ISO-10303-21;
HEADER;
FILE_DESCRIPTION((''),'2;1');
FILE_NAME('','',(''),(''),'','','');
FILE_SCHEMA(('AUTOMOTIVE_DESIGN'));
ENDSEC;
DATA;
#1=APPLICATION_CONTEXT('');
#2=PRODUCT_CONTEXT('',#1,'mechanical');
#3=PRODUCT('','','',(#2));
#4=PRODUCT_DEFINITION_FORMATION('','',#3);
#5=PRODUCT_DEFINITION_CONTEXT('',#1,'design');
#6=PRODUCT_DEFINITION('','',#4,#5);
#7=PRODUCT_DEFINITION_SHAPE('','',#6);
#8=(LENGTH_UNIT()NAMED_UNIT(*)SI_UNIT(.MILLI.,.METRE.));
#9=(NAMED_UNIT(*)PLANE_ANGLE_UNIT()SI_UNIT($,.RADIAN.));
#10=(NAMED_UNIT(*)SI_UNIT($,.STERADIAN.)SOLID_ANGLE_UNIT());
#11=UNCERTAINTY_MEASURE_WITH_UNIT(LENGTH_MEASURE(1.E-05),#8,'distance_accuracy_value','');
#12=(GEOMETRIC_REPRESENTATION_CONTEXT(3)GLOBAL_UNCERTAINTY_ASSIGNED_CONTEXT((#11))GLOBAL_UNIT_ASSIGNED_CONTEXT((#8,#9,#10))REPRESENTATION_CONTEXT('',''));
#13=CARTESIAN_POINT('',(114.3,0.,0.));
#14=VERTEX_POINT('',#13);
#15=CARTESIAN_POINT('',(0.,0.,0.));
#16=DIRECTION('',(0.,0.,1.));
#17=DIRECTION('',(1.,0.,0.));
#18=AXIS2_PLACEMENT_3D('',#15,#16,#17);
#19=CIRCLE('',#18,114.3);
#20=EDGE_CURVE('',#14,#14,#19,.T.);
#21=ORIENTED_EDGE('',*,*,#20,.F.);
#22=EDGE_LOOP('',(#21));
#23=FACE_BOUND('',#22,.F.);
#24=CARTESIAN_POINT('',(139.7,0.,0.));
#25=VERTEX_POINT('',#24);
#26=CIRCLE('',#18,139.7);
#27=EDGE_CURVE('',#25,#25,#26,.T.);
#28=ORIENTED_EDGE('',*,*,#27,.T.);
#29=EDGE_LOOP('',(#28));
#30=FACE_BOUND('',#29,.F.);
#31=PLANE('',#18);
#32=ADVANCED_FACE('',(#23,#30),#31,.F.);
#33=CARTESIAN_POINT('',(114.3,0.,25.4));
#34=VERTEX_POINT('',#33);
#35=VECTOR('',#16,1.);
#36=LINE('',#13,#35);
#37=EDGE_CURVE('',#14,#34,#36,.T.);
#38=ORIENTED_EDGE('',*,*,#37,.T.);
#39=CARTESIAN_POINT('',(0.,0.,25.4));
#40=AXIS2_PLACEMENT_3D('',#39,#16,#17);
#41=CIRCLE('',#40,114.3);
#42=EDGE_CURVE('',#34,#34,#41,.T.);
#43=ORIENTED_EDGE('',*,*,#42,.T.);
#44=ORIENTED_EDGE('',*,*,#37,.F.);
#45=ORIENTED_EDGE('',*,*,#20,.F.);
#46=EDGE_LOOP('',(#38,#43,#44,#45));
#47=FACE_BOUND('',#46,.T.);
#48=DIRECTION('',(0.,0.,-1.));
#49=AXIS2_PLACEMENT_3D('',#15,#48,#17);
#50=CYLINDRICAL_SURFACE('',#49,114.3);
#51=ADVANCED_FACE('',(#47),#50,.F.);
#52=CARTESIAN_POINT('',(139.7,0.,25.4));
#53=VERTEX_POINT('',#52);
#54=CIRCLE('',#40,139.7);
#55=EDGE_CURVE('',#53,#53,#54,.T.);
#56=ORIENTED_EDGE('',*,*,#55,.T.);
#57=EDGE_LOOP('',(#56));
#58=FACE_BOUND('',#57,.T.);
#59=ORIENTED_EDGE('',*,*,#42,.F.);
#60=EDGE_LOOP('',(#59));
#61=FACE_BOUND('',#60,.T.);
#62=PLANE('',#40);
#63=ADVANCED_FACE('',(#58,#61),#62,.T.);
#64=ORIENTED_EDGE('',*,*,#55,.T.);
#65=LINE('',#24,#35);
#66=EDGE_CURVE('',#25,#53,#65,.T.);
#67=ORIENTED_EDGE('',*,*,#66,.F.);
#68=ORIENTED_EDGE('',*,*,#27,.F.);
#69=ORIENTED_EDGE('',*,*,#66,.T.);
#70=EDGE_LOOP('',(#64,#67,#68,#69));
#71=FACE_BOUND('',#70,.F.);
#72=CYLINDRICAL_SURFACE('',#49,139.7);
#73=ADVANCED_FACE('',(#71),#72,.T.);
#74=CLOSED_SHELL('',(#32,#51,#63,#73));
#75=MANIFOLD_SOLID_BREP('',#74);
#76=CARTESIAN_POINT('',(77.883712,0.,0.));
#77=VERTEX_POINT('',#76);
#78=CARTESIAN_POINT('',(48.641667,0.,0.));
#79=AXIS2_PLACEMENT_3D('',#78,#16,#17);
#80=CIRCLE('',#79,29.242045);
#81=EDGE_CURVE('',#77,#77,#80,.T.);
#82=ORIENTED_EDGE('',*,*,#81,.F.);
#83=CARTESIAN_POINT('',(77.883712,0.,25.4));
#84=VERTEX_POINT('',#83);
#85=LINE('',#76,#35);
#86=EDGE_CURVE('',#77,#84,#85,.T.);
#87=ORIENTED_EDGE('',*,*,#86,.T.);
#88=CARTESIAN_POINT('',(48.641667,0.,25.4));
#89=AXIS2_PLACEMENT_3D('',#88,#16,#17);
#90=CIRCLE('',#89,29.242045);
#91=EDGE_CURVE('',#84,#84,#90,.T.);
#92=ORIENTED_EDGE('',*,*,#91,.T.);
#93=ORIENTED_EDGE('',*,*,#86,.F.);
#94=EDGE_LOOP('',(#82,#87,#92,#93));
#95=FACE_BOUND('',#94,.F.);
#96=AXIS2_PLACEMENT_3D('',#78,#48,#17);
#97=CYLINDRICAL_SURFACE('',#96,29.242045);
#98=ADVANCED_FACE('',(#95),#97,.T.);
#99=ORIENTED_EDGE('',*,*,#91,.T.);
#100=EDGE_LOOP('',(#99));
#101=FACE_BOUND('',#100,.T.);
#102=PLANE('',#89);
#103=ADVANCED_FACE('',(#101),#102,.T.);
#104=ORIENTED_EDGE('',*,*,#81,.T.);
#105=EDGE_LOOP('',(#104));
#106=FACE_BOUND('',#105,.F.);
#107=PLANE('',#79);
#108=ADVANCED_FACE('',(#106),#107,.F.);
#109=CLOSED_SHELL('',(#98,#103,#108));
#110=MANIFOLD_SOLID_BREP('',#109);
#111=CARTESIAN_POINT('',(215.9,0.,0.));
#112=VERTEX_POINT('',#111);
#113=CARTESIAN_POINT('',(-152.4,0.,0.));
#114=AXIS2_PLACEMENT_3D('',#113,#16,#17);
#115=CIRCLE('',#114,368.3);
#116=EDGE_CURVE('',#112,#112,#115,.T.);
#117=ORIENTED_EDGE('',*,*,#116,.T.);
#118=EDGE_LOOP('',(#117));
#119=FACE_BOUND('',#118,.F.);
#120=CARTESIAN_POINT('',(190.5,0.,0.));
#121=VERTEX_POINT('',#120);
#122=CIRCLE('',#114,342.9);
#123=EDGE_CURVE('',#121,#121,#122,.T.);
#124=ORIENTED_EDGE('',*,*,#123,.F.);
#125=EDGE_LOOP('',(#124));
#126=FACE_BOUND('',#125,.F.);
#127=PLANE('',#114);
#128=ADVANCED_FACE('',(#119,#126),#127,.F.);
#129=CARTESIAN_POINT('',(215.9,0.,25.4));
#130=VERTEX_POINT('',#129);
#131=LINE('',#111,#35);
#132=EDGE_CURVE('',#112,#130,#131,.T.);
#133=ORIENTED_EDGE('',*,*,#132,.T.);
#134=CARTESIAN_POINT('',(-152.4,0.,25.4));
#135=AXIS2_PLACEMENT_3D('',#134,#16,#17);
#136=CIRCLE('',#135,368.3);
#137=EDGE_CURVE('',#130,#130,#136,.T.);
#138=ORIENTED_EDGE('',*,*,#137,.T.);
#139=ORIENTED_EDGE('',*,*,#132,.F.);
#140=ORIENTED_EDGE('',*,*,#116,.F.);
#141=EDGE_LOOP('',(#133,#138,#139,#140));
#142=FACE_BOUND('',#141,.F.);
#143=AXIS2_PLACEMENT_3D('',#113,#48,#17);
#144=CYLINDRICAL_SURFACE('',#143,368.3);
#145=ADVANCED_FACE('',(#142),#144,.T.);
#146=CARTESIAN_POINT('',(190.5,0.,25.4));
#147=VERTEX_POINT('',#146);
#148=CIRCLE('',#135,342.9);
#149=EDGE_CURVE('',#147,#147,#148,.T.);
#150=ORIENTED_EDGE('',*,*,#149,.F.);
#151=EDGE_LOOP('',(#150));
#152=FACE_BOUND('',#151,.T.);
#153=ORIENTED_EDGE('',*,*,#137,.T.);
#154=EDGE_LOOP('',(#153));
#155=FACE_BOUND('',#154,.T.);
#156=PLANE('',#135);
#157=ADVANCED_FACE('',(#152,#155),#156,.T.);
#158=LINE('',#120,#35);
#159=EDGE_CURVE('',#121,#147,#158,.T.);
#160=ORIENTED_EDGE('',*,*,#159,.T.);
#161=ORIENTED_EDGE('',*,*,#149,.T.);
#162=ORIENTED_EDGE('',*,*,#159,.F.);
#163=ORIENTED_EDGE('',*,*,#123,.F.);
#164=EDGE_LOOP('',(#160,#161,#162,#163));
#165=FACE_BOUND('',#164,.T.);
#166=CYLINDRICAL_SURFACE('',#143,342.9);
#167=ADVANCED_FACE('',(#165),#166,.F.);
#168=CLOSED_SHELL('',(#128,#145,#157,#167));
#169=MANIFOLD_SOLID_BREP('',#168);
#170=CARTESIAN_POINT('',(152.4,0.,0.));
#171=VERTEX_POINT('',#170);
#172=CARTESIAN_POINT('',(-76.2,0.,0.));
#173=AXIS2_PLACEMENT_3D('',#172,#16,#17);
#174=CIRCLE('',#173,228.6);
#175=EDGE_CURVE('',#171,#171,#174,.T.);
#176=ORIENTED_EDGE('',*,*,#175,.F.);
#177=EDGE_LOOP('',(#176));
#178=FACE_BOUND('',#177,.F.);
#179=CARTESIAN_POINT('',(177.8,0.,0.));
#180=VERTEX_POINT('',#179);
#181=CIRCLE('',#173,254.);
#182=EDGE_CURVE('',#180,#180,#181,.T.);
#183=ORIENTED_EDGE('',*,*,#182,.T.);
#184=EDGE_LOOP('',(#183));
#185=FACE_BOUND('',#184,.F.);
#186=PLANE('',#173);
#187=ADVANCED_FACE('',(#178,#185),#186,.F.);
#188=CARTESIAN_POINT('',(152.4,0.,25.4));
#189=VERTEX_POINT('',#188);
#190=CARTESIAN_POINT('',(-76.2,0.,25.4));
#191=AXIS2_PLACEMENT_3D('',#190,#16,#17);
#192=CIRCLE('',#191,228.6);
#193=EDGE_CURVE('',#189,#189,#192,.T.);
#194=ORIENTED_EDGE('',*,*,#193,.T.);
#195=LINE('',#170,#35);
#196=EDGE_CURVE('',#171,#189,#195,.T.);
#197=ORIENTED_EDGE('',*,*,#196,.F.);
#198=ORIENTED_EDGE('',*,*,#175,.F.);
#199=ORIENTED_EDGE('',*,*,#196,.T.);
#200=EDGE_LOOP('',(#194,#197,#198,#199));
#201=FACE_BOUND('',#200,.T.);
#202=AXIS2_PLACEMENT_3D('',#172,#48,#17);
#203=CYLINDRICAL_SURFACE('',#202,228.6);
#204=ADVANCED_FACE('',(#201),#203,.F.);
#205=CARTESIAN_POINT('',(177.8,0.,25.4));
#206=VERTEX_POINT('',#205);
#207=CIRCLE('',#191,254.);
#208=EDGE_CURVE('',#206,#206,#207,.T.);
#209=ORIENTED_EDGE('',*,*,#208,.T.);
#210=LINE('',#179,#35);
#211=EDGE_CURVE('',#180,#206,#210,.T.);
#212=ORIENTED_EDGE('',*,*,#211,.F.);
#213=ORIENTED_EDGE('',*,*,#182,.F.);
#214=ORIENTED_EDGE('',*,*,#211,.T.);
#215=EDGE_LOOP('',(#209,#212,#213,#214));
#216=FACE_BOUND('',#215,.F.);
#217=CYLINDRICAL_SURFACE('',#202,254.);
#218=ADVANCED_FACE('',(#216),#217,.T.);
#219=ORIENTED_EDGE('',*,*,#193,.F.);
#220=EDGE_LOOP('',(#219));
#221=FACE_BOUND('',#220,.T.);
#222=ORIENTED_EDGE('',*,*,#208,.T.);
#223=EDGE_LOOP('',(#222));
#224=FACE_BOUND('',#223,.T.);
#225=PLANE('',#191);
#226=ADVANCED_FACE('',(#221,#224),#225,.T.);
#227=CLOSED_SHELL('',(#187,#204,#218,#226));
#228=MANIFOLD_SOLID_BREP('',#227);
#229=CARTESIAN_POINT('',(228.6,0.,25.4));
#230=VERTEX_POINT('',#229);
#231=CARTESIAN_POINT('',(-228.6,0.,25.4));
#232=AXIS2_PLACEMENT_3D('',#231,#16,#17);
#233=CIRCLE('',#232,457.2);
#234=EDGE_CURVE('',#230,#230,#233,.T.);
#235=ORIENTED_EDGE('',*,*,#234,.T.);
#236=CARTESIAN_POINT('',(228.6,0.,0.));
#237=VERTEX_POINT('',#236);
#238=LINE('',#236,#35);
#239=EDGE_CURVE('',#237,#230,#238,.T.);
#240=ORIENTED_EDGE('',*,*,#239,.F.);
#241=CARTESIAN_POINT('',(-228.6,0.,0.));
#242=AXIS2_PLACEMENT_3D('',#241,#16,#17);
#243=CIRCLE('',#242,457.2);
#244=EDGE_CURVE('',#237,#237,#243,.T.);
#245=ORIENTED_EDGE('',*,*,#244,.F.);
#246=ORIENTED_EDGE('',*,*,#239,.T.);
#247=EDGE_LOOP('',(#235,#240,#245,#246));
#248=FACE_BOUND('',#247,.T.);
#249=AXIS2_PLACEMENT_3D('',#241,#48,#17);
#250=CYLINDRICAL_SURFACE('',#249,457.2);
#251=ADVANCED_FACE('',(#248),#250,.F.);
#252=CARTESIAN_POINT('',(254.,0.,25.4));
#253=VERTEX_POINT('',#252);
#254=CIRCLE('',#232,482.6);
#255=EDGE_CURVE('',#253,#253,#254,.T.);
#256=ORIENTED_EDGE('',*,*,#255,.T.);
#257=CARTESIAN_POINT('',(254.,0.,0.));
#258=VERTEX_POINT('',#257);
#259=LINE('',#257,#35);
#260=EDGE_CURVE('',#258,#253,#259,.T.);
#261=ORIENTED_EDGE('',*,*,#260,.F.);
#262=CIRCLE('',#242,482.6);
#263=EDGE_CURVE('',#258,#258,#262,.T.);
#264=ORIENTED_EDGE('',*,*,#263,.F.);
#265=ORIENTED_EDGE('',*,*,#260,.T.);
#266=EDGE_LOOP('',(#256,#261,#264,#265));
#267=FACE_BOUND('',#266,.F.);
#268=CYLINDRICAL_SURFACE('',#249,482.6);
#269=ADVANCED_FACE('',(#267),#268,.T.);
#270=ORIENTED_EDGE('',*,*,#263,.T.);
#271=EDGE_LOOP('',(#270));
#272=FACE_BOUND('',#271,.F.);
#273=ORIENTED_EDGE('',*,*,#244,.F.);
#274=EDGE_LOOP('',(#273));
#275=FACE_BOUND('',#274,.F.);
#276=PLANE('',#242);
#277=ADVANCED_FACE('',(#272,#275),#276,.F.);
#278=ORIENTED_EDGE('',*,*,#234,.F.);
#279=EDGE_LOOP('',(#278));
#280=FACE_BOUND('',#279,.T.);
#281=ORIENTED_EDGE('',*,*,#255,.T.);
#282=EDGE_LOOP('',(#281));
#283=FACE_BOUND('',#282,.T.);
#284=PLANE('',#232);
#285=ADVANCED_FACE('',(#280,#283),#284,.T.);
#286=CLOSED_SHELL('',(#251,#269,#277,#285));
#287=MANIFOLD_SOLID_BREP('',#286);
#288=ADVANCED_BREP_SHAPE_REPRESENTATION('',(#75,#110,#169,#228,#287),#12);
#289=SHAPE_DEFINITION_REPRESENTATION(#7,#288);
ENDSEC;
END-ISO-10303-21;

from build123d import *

# Parameters (mm, degrees)
F0_R     = 482.6
F0_R_2   = 457.2
F0_R_3   = 368.3
F0_R_4   = 342.9
F0_R_5   = 254
F0_R_6   = 228.6
F1_DEPTH = 25.4
F0_R_7   = 139.7
F0_R_8   = 114.3
F2_DEPTH = 25.4
F3_DEPTH = 25.4
F0_R_9   = 29.242045
F4_DEPTH = 25.4


with BuildPart() as f1:
    # F0 (on Top) → F1 (new body)
    with BuildSketch(Plane.XY):
        with Locations((-228.6, 0)):
            Circle(F0_R)
        with Locations((-228.6, 0)):
            Circle(F0_R_2, mode=Mode.SUBTRACT)
        with Locations((-152.4, 0)):
            Circle(F0_R_3)
        with Locations((-152.4, 0)):
            Circle(F0_R_4, mode=Mode.SUBTRACT)
        with Locations((-76.2, 0)):
            Circle(F0_R_5)
        with Locations((-76.2, 0)):
            Circle(F0_R_6, mode=Mode.SUBTRACT)
    extrude(amount=F1_DEPTH)

    # F0 (on Top) → F3 (join)
    with BuildSketch(Plane.XY):
        with Locations((-228.6, 0)):
            Circle(F0_R)
        with Locations((-228.6, 0)):
            Circle(F0_R_2, mode=Mode.SUBTRACT)
    extrude(amount=F3_DEPTH)


with BuildPart() as f2:
    # F0 (on Top) → F2 (new body)
    with BuildSketch(Plane.XY):
        Circle(F0_R_7)
        Circle(F0_R_8, mode=Mode.SUBTRACT)
    extrude(amount=F2_DEPTH)


with BuildPart() as f4:
    # F0 (on Top) → F4 (new body)
    with BuildSketch(Plane.XY):
        with Locations((48.641667, 0)):
            Circle(F0_R_9)
    extrude(amount=F4_DEPTH)


solid = Compound([f1.part, f2.part, f4.part])
